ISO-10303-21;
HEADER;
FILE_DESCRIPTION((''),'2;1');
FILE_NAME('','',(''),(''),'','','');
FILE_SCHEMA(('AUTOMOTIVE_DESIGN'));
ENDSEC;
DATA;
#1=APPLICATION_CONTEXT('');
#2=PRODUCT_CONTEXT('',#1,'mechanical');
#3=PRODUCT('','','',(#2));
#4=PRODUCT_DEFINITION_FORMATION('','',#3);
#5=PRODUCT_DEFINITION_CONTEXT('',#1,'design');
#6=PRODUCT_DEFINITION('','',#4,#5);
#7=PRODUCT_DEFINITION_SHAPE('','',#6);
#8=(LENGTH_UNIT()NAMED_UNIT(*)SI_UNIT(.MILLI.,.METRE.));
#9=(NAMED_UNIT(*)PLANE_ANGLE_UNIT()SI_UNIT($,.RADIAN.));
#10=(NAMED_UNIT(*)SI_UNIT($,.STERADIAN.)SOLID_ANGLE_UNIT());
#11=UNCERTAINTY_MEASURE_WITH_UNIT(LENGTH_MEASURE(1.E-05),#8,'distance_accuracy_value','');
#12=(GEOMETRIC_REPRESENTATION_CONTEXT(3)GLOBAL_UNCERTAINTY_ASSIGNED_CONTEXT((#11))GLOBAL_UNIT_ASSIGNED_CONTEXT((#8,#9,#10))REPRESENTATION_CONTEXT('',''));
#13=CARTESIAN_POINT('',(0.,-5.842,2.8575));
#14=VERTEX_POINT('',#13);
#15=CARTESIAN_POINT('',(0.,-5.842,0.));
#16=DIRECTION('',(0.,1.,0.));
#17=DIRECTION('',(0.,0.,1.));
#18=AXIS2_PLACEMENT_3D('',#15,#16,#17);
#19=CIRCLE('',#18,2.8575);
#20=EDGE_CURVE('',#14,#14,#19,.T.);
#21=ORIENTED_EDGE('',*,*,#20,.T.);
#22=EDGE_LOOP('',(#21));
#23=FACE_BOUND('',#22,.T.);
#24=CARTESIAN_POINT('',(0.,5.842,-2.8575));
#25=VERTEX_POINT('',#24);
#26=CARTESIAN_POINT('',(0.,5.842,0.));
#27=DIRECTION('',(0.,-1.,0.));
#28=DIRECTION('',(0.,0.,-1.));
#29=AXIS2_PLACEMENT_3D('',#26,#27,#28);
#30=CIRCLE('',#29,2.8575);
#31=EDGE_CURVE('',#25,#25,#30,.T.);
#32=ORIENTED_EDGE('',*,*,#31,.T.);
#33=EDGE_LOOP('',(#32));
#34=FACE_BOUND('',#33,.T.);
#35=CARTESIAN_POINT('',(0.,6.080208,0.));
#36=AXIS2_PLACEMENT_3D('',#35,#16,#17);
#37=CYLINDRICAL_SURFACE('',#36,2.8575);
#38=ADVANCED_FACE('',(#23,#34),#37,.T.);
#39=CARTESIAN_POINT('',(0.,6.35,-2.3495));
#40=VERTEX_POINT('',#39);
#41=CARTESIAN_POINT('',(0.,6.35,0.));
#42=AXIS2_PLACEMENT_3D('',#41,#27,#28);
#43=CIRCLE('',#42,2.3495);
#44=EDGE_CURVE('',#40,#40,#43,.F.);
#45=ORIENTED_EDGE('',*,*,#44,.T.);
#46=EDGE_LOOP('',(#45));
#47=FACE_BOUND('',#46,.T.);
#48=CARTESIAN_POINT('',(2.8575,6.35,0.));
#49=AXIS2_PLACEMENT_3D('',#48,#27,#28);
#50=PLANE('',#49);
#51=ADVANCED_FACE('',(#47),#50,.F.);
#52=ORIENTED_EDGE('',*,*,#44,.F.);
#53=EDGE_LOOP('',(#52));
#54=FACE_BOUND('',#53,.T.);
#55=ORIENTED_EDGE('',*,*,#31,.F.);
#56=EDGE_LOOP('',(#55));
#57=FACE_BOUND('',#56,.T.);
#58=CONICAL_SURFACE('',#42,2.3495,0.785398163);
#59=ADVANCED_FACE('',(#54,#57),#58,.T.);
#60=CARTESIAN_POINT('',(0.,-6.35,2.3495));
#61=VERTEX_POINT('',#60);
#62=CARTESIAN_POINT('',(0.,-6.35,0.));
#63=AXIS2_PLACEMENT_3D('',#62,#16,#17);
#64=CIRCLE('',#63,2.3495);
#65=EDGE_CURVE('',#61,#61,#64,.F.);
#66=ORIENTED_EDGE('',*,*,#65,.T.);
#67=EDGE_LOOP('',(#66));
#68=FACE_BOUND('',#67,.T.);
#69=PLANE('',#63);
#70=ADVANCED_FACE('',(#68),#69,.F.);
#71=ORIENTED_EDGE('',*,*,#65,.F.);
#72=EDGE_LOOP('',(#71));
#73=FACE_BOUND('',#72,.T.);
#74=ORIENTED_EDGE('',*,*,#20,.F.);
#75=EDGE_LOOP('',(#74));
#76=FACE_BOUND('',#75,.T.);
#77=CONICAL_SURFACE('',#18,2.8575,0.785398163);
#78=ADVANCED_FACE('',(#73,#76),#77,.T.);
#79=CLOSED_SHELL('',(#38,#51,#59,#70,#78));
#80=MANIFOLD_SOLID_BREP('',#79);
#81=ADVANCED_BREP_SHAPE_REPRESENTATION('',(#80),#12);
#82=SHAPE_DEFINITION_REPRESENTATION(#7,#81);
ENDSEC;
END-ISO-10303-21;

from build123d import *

# Parameters (mm, degrees)
SKETCH1_W     = 2.8575
SKETCH1_H     = 12.7
CHAMFER1_SIZE = 0.508


with BuildPart() as part:
    # Sketch1 → Revolve1 (revolve)
    with BuildSketch(Plane.XY):
        with Locations((1.42875, 0)):
            Rectangle(SKETCH1_W, SKETCH1_H)
    revolve(axis=Axis((0, 6.080207887, 0), (0, -1, 0)))

    # Chamfer1
    chamfer1_edges = [part.edges().sort_by_distance(p)[0] for p in [
        (-2.8575, 6.35, 0),
        (-2.8575, -6.35, 0),
    ]]
    chamfer(chamfer1_edges, length=CHAMFER1_SIZE)


solid = part.part
